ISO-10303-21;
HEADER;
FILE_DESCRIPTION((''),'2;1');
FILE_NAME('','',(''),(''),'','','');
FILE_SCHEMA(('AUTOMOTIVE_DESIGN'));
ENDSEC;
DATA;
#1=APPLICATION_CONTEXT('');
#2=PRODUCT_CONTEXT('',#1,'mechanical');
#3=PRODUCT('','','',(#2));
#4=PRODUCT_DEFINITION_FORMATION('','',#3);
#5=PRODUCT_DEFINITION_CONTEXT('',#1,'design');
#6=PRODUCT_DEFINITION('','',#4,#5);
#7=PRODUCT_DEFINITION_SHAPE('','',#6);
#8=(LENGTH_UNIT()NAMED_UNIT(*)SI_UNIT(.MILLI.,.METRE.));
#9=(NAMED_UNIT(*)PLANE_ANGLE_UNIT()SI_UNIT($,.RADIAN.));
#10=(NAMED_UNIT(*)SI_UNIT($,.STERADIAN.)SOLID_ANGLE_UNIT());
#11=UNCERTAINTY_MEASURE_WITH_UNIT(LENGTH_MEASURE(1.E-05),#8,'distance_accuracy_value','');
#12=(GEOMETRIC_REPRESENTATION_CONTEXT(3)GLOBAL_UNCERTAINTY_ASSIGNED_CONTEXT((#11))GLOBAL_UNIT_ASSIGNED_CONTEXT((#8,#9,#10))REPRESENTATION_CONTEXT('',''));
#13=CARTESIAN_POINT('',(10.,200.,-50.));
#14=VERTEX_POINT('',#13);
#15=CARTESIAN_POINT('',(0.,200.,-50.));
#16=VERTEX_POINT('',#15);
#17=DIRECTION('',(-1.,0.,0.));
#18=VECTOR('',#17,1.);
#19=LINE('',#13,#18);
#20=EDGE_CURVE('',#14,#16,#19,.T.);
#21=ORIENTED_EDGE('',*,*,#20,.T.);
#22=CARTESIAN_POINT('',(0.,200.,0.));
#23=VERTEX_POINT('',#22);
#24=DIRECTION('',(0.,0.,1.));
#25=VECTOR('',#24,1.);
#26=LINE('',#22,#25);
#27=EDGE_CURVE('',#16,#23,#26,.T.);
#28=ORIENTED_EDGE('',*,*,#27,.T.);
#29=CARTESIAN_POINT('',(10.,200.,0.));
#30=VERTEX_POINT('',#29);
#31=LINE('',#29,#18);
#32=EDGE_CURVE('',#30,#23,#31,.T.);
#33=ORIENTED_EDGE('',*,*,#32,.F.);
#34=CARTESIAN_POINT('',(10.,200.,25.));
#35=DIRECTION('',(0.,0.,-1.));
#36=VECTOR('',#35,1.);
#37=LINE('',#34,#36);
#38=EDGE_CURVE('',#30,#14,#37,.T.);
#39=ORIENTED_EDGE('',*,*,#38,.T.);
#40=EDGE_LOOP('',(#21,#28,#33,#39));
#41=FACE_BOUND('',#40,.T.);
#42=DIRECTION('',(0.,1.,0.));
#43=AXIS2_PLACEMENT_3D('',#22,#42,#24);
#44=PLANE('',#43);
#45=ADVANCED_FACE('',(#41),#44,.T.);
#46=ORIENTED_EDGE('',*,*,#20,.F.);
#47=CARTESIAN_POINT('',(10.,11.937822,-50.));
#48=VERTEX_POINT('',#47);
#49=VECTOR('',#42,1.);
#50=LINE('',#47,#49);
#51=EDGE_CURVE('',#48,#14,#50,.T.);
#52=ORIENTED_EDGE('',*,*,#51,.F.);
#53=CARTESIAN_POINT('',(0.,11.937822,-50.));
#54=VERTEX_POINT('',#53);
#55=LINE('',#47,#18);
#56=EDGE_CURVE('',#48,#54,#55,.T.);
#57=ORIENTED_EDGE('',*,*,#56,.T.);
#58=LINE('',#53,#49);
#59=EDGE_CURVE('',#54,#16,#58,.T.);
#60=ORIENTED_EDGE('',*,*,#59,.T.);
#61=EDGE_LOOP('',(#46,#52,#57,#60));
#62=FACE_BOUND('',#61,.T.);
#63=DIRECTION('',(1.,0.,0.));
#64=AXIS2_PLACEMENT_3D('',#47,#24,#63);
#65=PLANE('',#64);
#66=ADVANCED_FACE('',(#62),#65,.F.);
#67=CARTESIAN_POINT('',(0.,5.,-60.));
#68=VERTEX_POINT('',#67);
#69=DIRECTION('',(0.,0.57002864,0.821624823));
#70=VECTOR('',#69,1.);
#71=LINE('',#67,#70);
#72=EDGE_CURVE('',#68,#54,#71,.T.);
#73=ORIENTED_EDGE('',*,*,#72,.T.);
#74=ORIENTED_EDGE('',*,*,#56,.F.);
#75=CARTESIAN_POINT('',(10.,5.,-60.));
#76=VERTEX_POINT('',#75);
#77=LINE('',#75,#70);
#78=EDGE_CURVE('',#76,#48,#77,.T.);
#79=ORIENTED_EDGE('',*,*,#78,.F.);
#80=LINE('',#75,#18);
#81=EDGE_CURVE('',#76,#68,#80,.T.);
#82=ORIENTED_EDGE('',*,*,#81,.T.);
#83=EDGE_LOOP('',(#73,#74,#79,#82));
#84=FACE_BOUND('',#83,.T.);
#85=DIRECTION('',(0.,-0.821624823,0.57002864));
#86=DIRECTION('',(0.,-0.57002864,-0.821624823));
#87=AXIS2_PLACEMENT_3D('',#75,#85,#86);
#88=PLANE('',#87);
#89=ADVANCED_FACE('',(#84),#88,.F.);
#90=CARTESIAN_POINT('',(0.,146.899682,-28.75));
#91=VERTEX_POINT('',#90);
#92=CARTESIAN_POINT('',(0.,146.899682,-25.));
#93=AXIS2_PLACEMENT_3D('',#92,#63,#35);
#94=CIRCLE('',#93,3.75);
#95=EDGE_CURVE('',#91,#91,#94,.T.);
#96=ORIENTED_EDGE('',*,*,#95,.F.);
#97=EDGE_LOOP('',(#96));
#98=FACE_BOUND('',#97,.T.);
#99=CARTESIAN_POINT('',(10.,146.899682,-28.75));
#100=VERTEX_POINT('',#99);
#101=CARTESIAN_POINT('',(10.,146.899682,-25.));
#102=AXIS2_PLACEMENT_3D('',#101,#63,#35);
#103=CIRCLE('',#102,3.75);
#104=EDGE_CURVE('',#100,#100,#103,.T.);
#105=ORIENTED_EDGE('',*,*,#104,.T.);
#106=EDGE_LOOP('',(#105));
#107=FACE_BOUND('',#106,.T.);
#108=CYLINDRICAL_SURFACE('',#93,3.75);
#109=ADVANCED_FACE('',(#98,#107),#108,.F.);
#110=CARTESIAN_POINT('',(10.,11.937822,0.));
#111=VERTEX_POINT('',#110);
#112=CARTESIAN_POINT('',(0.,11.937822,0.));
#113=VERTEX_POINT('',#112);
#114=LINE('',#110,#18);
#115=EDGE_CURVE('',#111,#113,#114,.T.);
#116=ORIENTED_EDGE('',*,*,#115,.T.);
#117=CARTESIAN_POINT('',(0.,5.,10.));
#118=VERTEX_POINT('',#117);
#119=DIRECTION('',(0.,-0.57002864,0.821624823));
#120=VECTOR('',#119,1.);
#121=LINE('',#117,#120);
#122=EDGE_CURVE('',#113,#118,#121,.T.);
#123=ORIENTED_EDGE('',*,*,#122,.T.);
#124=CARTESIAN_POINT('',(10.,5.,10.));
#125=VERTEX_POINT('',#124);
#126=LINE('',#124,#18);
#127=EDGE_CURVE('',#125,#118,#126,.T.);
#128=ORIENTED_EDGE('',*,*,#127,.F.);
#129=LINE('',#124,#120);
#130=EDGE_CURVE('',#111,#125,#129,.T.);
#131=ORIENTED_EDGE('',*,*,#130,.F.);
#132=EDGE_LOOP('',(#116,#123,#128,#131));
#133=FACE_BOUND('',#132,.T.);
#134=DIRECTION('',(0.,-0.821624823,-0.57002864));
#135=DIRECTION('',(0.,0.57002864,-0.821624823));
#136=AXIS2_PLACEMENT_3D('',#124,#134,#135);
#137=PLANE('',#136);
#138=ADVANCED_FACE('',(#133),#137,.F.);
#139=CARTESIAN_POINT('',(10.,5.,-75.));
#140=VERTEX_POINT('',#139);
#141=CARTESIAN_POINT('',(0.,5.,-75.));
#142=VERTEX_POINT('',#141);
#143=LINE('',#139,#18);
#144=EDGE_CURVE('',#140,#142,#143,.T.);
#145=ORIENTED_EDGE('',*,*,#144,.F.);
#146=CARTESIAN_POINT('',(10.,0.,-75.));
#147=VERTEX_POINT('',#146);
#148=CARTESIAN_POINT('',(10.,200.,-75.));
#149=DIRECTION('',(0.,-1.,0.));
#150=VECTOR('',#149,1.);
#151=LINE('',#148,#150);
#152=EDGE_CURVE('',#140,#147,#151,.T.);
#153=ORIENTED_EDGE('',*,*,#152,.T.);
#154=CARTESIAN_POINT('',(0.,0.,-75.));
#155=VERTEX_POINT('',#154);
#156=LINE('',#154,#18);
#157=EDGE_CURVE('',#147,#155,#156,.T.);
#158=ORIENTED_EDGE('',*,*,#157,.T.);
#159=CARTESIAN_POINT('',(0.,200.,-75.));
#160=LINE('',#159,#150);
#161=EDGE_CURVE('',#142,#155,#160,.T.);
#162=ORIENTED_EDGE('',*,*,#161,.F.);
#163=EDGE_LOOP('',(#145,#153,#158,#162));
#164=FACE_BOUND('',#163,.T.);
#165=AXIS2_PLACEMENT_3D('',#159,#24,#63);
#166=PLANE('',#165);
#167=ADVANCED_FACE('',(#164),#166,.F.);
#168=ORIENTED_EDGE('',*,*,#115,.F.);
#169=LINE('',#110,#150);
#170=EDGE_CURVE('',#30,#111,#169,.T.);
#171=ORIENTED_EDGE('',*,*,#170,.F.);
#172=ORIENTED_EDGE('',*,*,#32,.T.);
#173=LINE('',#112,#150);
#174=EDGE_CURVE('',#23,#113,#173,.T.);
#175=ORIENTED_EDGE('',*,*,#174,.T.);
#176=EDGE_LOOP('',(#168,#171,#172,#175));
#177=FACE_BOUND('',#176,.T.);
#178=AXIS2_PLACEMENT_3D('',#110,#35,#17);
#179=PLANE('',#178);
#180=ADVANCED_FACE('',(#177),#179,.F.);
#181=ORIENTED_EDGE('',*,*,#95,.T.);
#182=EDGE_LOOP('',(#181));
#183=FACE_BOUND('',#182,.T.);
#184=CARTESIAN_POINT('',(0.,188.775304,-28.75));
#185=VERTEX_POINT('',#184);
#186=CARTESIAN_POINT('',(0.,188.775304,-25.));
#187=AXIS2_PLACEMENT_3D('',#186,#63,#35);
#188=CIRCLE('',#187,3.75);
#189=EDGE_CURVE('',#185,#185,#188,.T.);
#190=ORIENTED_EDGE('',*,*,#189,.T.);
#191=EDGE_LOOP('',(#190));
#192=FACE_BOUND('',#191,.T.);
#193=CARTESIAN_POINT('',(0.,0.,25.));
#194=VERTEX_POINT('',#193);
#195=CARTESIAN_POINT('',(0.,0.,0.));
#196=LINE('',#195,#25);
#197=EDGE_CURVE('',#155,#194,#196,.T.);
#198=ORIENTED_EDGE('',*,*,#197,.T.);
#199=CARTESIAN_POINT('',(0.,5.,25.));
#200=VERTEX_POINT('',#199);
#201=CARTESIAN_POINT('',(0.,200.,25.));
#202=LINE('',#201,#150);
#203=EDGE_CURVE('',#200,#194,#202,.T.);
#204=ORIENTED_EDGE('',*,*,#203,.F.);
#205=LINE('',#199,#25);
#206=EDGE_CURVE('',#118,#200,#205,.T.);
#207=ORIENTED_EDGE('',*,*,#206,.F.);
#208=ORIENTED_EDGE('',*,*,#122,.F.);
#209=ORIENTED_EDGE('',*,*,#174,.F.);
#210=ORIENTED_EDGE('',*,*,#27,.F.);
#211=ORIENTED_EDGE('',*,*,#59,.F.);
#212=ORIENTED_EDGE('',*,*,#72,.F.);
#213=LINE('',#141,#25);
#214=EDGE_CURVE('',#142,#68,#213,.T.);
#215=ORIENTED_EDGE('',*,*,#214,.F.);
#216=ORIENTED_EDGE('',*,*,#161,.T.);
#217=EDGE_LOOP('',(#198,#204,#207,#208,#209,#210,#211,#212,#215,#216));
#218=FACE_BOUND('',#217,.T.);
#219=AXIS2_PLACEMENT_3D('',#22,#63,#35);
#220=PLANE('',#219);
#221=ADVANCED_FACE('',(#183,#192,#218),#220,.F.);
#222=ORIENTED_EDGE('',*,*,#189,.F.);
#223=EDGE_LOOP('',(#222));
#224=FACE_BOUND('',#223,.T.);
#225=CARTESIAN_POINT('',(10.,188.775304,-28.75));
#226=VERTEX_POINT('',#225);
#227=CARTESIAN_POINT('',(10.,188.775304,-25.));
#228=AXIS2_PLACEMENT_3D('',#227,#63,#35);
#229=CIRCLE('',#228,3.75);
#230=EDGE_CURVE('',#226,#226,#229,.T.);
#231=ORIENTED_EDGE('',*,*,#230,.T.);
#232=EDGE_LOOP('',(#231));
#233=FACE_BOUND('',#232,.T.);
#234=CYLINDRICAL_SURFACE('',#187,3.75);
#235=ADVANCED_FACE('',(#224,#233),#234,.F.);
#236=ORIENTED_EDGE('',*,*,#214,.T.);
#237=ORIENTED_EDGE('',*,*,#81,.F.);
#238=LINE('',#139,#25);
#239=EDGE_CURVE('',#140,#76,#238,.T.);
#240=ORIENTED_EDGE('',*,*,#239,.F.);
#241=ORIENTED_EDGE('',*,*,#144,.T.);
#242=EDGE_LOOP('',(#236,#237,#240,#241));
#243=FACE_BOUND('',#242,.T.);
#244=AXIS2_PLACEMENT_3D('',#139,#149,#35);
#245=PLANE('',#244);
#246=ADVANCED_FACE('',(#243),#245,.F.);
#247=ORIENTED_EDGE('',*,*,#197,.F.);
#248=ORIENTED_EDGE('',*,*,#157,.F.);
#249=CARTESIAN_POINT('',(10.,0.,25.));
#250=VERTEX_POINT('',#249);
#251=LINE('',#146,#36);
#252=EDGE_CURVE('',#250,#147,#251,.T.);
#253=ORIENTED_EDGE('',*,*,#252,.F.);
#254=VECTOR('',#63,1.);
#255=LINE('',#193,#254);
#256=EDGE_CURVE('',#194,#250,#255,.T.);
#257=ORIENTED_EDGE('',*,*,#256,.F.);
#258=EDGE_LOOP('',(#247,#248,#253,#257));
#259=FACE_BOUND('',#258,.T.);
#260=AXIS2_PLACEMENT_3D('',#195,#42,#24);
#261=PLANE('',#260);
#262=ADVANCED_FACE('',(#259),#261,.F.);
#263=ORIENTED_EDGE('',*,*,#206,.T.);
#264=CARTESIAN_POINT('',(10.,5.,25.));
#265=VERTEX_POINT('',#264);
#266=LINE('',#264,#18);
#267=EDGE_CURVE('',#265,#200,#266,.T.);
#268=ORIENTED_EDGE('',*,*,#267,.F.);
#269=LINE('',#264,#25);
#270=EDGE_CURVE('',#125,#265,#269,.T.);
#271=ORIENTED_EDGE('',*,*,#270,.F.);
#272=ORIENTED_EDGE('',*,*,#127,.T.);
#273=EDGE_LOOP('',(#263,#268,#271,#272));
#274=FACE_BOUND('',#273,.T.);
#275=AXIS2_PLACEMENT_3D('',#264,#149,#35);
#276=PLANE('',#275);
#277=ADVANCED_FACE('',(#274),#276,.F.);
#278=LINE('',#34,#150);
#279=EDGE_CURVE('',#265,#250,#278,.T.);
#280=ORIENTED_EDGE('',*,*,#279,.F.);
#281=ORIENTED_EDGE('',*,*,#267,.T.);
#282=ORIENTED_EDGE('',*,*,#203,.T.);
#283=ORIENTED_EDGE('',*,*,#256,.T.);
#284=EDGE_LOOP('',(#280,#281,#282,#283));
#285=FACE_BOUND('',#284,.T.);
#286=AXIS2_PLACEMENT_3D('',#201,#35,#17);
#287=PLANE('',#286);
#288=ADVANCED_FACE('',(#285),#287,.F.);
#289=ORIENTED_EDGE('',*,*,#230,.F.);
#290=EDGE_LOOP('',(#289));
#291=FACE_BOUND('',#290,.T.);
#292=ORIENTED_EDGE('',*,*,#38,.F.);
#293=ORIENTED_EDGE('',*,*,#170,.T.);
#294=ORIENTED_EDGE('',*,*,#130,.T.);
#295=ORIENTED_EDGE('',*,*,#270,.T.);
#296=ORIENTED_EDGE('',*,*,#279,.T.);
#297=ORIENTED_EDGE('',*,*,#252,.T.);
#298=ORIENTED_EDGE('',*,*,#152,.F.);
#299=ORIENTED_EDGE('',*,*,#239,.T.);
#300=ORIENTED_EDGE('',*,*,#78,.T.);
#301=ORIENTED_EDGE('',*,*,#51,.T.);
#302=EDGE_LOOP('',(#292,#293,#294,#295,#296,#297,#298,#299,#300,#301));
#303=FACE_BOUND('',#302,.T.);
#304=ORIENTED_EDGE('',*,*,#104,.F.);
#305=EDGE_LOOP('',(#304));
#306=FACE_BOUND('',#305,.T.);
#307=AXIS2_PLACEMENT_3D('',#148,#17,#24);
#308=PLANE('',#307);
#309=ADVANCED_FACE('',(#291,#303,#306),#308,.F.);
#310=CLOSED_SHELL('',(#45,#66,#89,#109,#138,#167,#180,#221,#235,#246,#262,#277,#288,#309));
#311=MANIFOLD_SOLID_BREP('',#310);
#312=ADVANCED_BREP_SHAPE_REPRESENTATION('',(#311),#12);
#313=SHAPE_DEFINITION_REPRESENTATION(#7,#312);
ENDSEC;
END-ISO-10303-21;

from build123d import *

# Parameters (mm, degrees)
BOSS_EXTRUDE1_DEPTH = 200
SKETCH2_R           = 3.75
CUT_EXTRUDE1_DEPTH  = 10
CUT_EXTRUDE2_DEPTH  = 10


with BuildPart() as part:
    # Sketch1 → Boss-Extrude1 (new body)
    with BuildSketch(Plane(origin=(0, 0, 0), x_dir=(1, 0, 0), z_dir=(0, 1, 0))):
        Polygon((10, 0), (10, 50), (10, 75), (0, 75), (0, 50), (0, 0), (0, -25), (10, -25), align=None)
    extrude(amount=BOSS_EXTRUDE1_DEPTH)

    # Sketch2 → Cut-Extrude1 (cut)
    with BuildSketch(Plane(origin=(10, 0, 0), x_dir=(0, 0, -1), z_dir=(1, 0, 0))):
        with Locations((25, 188.775303779)):
            Circle(SKETCH2_R)
        with Locations((25, 146.899681817)):
            Circle(SKETCH2_R)
    extrude(amount=-CUT_EXTRUDE1_DEPTH, mode=Mode.SUBTRACT)

    # Sketch3 → Cut-Extrude2 (cut)
    with BuildSketch(Plane.ZY):
        Polygon((25, 200), (25, 5), (10, 5), (0, 11.937821542), (0, 200), align=None)
        Polygon((-75, 5), (-60, 5), (-50, 11.937821542), (-50, 200), (-75, 200), align=None)
    extrude(amount=-CUT_EXTRUDE2_DEPTH, mode=Mode.SUBTRACT)


solid = part.part
